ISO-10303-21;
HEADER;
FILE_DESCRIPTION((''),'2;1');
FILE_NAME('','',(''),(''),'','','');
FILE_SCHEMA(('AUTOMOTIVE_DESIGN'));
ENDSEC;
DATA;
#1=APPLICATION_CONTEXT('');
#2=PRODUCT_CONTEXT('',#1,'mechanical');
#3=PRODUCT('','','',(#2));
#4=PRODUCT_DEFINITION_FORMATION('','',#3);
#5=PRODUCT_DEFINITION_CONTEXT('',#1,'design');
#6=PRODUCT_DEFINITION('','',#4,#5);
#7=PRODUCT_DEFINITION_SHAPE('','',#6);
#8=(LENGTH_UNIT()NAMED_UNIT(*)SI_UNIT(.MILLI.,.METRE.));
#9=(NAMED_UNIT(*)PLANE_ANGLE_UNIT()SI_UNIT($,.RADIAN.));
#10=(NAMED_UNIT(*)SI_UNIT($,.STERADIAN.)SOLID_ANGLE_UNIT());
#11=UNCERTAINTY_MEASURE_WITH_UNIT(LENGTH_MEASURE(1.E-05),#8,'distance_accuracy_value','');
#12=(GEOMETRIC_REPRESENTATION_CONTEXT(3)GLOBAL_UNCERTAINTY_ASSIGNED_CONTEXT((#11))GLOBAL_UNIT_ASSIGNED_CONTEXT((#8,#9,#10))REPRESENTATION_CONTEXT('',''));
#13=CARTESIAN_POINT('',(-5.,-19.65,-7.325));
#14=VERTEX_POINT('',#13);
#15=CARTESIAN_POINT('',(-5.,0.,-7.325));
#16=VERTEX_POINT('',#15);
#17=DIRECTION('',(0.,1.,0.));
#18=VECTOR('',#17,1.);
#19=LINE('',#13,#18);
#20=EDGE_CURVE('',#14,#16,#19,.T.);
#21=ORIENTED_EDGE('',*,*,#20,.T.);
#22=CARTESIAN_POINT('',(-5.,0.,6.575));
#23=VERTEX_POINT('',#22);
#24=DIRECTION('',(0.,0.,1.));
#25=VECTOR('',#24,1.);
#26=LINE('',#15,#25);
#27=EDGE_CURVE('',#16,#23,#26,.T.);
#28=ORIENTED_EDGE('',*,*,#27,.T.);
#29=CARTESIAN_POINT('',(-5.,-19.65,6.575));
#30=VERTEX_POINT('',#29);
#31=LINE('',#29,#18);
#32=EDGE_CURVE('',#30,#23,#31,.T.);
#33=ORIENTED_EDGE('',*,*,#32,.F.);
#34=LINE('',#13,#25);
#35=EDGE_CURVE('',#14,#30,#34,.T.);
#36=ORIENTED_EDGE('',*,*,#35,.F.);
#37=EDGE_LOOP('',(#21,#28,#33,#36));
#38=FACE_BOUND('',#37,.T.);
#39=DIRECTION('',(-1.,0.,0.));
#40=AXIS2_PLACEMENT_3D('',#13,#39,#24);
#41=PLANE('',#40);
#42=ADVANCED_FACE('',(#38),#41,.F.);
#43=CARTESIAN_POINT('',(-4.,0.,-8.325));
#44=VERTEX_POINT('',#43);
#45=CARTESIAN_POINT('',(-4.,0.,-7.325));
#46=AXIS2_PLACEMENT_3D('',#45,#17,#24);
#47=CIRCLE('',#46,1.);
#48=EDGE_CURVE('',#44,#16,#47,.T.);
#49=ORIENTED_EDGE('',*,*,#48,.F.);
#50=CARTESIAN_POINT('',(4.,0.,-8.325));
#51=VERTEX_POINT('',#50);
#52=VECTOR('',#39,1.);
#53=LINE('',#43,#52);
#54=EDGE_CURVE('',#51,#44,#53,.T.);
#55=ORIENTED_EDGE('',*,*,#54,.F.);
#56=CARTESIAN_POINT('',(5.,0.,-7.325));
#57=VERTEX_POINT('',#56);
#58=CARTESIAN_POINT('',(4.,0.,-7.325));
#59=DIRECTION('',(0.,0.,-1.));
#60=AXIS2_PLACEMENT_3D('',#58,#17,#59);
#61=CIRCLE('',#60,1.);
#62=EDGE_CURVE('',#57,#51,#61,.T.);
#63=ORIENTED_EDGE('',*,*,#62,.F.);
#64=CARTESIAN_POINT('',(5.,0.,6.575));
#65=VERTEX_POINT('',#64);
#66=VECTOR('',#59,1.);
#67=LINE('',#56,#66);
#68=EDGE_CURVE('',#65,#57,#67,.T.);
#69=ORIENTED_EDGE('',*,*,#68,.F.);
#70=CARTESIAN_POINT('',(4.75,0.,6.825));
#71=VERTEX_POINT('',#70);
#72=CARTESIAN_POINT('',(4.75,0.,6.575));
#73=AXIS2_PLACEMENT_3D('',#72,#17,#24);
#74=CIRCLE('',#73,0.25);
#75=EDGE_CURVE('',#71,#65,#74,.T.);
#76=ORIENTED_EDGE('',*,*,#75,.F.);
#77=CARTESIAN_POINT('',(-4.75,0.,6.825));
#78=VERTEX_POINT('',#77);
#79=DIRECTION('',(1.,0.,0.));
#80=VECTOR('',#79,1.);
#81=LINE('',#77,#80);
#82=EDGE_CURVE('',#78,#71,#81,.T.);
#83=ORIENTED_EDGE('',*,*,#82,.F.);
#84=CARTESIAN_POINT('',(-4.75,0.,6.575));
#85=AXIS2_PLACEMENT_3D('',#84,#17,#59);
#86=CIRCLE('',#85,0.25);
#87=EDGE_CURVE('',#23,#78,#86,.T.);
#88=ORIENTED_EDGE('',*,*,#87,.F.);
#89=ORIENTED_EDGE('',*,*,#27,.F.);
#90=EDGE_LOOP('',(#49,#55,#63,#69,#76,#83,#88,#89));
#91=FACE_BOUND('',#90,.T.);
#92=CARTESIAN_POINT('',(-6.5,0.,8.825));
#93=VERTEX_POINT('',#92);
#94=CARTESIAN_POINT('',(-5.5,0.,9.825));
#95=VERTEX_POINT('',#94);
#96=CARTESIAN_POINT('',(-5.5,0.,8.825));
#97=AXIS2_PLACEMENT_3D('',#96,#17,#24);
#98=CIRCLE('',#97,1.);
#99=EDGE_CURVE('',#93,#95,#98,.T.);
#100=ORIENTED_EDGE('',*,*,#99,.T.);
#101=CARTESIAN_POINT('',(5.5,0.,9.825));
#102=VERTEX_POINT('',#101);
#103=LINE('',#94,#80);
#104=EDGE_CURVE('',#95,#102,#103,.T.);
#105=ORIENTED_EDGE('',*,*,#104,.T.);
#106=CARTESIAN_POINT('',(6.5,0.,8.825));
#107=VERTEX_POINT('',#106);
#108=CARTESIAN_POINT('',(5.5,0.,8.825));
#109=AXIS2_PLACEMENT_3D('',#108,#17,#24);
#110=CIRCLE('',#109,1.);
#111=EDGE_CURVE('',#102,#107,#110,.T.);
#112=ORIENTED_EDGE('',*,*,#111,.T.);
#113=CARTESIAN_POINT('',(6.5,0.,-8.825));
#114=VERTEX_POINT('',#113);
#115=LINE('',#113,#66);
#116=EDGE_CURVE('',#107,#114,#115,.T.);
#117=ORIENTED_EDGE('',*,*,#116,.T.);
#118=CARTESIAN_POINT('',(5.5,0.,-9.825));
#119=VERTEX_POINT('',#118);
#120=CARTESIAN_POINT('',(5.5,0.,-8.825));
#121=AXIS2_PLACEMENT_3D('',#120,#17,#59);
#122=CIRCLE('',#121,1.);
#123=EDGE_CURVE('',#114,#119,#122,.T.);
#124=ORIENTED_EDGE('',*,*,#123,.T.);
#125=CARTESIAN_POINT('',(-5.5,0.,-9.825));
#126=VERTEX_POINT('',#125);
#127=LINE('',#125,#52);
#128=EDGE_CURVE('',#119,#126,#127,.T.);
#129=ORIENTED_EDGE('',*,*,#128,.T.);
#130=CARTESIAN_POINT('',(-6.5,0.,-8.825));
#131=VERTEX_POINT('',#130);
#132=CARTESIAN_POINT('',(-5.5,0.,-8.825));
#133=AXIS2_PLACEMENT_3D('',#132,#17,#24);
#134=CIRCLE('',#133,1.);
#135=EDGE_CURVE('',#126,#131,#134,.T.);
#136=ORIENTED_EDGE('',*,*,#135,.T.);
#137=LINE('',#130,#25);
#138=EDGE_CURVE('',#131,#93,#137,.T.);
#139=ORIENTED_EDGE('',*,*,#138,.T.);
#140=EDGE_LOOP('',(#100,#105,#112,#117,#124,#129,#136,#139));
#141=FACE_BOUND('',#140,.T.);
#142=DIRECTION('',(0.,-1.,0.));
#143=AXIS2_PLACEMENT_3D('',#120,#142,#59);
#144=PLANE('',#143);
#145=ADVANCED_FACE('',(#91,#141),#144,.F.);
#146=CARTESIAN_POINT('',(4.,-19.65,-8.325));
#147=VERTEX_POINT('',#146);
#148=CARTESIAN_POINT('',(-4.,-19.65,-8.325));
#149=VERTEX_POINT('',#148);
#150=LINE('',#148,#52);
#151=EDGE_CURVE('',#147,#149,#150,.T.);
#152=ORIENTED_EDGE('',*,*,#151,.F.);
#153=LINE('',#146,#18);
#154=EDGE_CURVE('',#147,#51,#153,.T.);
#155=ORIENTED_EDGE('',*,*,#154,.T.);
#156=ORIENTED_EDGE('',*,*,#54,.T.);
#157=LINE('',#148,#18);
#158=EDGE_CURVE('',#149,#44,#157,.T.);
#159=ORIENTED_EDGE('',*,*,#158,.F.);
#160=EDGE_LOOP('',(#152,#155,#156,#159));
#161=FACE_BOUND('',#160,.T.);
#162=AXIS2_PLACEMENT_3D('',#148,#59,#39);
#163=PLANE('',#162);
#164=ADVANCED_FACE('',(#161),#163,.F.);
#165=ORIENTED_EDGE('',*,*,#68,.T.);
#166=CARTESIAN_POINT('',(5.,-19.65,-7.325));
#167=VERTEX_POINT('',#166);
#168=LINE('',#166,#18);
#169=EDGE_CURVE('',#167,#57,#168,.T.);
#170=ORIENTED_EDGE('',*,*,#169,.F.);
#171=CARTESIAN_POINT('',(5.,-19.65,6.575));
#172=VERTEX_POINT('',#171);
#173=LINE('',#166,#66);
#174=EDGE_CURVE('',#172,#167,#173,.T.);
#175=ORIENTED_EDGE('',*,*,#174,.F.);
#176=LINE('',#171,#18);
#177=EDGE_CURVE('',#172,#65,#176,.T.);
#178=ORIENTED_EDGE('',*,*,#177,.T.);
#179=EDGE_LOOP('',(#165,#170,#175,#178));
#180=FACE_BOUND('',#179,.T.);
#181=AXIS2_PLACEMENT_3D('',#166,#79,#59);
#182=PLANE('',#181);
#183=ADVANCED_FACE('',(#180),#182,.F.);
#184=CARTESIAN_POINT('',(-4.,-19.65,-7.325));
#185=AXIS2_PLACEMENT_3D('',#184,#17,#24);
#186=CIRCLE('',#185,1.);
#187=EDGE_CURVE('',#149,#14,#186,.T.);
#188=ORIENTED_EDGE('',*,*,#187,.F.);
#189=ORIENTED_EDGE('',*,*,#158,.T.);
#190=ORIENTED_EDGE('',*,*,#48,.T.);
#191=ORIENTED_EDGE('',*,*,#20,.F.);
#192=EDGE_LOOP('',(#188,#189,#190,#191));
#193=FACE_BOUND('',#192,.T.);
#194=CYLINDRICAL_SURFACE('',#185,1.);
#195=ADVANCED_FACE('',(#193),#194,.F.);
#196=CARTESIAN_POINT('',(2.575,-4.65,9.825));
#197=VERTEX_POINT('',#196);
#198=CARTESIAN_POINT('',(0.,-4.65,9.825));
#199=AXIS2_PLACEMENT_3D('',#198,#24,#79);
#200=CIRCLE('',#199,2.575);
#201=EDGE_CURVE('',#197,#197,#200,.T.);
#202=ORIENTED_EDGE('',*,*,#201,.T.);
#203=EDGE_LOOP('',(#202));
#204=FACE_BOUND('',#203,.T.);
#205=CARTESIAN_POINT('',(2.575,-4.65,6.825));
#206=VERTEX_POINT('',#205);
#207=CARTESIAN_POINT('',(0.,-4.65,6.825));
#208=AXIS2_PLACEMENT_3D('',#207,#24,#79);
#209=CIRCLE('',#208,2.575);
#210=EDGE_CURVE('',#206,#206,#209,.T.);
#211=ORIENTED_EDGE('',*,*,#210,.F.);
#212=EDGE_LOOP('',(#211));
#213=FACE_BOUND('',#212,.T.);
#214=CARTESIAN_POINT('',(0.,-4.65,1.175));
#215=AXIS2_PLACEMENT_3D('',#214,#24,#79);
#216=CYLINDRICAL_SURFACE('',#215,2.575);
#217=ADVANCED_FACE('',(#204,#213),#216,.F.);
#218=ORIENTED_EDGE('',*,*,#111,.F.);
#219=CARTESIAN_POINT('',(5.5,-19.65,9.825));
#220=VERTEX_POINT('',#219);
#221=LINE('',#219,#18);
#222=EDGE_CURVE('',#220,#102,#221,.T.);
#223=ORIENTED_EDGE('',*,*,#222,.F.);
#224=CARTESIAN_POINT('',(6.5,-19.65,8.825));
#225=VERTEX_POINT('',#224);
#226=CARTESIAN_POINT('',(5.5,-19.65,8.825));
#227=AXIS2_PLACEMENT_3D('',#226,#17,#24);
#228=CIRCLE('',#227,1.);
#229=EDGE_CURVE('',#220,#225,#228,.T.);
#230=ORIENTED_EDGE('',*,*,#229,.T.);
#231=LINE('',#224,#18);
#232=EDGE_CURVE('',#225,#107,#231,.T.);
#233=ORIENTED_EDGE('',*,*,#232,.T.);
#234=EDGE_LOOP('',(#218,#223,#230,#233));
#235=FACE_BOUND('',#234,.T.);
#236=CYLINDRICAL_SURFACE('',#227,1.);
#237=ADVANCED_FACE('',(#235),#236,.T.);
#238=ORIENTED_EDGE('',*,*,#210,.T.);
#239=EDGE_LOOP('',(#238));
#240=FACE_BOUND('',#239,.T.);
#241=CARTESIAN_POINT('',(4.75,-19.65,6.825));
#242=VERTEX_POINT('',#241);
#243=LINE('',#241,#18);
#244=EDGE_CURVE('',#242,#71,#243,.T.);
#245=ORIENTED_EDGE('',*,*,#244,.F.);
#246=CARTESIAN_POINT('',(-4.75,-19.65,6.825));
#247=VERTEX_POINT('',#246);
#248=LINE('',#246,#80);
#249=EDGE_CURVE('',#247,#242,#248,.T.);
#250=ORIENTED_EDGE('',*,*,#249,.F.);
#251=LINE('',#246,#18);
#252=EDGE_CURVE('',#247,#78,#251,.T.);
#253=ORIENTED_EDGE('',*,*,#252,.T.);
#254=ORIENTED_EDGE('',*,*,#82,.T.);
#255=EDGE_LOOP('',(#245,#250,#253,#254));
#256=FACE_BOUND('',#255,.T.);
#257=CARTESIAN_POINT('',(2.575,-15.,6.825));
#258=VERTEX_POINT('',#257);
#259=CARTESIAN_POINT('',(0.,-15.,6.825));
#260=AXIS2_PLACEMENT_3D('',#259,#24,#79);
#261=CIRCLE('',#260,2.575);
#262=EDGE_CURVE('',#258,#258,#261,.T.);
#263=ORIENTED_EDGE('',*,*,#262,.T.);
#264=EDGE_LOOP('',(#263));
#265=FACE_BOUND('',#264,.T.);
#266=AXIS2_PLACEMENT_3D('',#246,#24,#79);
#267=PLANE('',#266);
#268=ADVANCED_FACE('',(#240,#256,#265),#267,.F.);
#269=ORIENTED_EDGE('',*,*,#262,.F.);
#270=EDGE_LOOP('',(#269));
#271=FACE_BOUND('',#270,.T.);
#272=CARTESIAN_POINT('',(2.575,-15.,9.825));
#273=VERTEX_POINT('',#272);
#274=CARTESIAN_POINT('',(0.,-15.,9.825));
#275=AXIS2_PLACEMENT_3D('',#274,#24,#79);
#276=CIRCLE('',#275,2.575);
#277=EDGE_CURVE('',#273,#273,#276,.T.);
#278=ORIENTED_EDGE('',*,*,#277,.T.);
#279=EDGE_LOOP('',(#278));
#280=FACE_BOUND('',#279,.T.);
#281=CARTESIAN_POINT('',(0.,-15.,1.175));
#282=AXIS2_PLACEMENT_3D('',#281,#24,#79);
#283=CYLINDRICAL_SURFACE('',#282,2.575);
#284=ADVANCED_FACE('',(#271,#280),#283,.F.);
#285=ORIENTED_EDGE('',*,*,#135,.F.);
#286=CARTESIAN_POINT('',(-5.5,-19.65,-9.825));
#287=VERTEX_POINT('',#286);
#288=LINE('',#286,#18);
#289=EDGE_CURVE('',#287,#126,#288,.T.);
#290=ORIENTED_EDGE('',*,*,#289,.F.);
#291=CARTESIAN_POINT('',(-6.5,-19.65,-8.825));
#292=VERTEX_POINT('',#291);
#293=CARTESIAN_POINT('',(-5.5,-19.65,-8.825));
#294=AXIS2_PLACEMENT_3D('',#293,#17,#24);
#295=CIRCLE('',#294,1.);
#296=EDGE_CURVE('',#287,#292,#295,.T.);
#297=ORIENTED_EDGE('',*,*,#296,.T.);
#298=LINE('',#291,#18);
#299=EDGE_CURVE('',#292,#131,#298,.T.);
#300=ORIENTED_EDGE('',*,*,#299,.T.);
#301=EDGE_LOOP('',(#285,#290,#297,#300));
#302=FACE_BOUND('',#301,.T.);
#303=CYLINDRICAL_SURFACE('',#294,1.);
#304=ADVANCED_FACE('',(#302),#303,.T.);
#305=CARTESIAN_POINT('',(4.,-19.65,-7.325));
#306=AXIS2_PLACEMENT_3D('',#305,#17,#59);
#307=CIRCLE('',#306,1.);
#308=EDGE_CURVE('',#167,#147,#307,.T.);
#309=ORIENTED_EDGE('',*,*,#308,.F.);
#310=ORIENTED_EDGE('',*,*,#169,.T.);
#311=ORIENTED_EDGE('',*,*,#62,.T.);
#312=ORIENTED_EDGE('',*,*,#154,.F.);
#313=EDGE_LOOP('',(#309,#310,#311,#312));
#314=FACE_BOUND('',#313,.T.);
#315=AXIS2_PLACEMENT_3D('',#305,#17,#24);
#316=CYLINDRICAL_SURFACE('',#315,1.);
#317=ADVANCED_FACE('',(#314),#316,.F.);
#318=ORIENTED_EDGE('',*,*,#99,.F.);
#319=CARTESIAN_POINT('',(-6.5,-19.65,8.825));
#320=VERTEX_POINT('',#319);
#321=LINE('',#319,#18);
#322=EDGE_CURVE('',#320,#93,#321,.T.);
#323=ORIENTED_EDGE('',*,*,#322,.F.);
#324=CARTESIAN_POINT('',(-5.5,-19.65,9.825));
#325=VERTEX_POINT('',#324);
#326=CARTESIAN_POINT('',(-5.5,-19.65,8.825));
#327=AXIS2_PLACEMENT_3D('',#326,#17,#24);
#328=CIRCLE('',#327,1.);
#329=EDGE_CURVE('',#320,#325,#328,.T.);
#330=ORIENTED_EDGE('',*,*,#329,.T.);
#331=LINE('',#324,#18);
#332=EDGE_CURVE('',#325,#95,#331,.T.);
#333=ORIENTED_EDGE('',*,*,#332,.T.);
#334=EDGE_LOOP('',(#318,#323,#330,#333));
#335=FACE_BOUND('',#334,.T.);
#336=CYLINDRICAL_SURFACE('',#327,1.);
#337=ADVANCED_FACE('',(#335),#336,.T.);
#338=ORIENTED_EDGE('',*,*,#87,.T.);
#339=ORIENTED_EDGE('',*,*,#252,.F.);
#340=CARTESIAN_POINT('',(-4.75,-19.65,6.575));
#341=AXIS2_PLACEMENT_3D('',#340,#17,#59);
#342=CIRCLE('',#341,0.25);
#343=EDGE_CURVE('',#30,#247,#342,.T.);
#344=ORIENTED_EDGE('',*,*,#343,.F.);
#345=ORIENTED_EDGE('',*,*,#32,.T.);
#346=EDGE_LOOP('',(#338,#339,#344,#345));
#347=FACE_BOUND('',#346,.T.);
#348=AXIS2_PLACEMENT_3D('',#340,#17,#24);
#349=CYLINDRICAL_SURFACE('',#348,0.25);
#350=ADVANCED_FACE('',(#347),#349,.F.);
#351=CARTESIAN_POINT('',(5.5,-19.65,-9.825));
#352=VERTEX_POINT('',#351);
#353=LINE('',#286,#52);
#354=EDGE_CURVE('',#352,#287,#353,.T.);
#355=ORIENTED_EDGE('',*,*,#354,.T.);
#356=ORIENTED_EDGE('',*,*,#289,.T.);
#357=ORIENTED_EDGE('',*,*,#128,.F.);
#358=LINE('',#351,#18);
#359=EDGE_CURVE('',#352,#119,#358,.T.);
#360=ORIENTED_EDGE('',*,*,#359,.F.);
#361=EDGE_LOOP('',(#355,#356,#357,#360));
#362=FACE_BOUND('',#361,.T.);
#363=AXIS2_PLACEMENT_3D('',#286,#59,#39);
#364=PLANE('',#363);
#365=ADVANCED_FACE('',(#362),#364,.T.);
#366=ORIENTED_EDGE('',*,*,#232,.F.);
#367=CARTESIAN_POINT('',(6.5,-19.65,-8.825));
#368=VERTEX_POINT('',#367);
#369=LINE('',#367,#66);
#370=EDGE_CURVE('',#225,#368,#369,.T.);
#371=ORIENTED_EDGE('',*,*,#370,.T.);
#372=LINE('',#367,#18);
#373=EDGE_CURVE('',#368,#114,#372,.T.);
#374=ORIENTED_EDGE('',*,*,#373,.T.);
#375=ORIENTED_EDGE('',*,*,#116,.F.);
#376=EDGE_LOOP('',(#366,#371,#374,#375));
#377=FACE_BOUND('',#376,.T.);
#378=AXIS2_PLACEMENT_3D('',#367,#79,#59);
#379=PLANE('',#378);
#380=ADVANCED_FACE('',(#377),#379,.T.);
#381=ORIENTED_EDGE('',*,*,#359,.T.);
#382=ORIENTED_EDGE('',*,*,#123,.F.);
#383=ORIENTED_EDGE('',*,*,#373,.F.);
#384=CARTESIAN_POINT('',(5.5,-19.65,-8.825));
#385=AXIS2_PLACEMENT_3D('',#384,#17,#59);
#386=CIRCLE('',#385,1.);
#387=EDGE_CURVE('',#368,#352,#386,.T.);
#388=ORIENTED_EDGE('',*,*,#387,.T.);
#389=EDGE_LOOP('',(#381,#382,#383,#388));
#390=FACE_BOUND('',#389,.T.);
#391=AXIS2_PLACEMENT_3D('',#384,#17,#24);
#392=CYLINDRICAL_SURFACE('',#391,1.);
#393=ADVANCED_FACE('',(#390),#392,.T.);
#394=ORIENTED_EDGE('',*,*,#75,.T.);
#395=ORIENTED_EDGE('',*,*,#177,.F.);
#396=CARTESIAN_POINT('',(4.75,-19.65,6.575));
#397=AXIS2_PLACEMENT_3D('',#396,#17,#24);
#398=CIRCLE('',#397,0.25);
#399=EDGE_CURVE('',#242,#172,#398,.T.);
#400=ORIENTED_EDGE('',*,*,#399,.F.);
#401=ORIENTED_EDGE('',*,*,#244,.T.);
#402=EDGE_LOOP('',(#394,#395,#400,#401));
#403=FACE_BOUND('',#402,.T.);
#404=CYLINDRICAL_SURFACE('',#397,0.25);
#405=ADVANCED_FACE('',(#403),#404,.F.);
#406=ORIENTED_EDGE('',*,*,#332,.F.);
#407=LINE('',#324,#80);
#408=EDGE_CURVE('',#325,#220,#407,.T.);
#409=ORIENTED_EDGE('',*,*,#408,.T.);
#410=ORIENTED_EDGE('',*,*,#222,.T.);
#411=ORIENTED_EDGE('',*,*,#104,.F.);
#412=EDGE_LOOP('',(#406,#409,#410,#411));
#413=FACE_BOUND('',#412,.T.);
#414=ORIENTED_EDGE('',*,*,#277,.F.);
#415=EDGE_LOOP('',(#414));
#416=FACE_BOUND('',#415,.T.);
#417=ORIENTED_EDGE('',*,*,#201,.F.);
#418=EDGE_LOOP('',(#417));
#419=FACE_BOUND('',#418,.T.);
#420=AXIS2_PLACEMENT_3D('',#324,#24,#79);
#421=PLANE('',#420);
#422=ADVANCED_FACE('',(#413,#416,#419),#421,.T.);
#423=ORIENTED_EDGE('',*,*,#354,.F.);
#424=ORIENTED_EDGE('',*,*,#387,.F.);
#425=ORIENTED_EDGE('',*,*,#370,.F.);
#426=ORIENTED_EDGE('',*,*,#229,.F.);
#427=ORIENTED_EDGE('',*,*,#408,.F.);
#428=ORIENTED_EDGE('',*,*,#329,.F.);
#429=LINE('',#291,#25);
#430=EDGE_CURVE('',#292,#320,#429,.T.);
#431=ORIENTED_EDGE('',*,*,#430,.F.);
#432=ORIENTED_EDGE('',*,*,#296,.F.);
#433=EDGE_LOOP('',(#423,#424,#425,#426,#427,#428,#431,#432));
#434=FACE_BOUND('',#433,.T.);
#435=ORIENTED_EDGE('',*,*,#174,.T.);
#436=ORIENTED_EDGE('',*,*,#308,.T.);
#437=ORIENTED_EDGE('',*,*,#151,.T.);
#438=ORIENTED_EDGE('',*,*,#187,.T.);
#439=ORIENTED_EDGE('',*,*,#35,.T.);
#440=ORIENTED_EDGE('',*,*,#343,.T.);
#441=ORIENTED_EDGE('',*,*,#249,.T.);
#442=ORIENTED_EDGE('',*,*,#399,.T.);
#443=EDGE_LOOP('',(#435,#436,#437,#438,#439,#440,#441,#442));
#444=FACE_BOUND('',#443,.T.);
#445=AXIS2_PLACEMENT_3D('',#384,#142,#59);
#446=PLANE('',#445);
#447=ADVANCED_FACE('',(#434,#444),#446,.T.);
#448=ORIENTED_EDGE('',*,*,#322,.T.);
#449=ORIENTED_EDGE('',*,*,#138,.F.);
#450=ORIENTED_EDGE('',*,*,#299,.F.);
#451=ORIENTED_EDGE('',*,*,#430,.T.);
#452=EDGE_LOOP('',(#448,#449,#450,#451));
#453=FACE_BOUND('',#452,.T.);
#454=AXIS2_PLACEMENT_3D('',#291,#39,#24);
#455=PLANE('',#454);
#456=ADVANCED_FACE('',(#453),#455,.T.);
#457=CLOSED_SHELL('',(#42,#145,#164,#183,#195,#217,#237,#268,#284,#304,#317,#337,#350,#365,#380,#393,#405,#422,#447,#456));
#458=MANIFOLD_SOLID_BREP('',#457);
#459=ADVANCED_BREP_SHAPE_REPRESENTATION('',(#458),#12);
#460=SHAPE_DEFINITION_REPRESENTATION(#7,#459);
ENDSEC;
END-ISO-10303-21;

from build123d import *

# Parameters (mm, degrees)
SALIENTE_EXTRUIR1_DEPTH = 19.65
CROQUIS2_R              = 2.575
CORTAR_EXTRUIR1_DEPTH   = 8.65


with BuildPart() as part:
    # Croquis1 → Saliente-Extruir1 (new body)
    with BuildSketch(Plane(origin=(0, 0, 0), x_dir=(1, 0, 0), z_dir=(0, 1, 0))):
        with BuildLine():
            Line((-5.5, 9.825), (5.5, 9.825))
            ThreePointArc((5.5, 9.825), (6.207106781, 9.532106781), (6.5, 8.825))
            Line((6.5, 8.825), (6.5, -8.825))
            ThreePointArc((6.5, -8.825), (6.207106781, -9.532106781), (5.5, -9.825))
            Line((5.5, -9.825), (-5.5, -9.825))
            ThreePointArc((-5.5, -9.825), (-6.207106781, -9.532106781), (-6.5, -8.825))
            Line((-6.5, -8.825), (-6.5, 8.825))
            ThreePointArc((-6.5, 8.825), (-6.207106781, 9.532106781), (-5.5, 9.825))
        make_face()
        with BuildLine():
            Line((-4.75, -6.825), (4.75, -6.825))
            ThreePointArc((4.75, -6.825), (4.926776695, -6.751776695), (5, -6.575))
            Line((5, -6.575), (5, 7.325))
            ThreePointArc((5, 7.325), (4.707106781, 8.032106781), (4, 8.325))
            Line((4, 8.325), (-4, 8.325))
            ThreePointArc((-4, 8.325), (-4.707106781, 8.032106781), (-5, 7.325))
            Line((-5, 7.325), (-5, -6.575))
            ThreePointArc((-5, -6.575), (-4.926776695, -6.751776695), (-4.75, -6.825))
        make_face(mode=Mode.SUBTRACT)
    extrude(amount=-SALIENTE_EXTRUIR1_DEPTH)

    # Croquis2 → Cortar-Extruir1 (cut)
    with BuildSketch(Plane.XY.offset(9.825)):
        with Locations((0, -4.65)):
            Circle(CROQUIS2_R)
        with Locations((0, -15)):
            Circle(CROQUIS2_R)
    extrude(amount=-CORTAR_EXTRUIR1_DEPTH, mode=Mode.SUBTRACT)


solid = part.part
